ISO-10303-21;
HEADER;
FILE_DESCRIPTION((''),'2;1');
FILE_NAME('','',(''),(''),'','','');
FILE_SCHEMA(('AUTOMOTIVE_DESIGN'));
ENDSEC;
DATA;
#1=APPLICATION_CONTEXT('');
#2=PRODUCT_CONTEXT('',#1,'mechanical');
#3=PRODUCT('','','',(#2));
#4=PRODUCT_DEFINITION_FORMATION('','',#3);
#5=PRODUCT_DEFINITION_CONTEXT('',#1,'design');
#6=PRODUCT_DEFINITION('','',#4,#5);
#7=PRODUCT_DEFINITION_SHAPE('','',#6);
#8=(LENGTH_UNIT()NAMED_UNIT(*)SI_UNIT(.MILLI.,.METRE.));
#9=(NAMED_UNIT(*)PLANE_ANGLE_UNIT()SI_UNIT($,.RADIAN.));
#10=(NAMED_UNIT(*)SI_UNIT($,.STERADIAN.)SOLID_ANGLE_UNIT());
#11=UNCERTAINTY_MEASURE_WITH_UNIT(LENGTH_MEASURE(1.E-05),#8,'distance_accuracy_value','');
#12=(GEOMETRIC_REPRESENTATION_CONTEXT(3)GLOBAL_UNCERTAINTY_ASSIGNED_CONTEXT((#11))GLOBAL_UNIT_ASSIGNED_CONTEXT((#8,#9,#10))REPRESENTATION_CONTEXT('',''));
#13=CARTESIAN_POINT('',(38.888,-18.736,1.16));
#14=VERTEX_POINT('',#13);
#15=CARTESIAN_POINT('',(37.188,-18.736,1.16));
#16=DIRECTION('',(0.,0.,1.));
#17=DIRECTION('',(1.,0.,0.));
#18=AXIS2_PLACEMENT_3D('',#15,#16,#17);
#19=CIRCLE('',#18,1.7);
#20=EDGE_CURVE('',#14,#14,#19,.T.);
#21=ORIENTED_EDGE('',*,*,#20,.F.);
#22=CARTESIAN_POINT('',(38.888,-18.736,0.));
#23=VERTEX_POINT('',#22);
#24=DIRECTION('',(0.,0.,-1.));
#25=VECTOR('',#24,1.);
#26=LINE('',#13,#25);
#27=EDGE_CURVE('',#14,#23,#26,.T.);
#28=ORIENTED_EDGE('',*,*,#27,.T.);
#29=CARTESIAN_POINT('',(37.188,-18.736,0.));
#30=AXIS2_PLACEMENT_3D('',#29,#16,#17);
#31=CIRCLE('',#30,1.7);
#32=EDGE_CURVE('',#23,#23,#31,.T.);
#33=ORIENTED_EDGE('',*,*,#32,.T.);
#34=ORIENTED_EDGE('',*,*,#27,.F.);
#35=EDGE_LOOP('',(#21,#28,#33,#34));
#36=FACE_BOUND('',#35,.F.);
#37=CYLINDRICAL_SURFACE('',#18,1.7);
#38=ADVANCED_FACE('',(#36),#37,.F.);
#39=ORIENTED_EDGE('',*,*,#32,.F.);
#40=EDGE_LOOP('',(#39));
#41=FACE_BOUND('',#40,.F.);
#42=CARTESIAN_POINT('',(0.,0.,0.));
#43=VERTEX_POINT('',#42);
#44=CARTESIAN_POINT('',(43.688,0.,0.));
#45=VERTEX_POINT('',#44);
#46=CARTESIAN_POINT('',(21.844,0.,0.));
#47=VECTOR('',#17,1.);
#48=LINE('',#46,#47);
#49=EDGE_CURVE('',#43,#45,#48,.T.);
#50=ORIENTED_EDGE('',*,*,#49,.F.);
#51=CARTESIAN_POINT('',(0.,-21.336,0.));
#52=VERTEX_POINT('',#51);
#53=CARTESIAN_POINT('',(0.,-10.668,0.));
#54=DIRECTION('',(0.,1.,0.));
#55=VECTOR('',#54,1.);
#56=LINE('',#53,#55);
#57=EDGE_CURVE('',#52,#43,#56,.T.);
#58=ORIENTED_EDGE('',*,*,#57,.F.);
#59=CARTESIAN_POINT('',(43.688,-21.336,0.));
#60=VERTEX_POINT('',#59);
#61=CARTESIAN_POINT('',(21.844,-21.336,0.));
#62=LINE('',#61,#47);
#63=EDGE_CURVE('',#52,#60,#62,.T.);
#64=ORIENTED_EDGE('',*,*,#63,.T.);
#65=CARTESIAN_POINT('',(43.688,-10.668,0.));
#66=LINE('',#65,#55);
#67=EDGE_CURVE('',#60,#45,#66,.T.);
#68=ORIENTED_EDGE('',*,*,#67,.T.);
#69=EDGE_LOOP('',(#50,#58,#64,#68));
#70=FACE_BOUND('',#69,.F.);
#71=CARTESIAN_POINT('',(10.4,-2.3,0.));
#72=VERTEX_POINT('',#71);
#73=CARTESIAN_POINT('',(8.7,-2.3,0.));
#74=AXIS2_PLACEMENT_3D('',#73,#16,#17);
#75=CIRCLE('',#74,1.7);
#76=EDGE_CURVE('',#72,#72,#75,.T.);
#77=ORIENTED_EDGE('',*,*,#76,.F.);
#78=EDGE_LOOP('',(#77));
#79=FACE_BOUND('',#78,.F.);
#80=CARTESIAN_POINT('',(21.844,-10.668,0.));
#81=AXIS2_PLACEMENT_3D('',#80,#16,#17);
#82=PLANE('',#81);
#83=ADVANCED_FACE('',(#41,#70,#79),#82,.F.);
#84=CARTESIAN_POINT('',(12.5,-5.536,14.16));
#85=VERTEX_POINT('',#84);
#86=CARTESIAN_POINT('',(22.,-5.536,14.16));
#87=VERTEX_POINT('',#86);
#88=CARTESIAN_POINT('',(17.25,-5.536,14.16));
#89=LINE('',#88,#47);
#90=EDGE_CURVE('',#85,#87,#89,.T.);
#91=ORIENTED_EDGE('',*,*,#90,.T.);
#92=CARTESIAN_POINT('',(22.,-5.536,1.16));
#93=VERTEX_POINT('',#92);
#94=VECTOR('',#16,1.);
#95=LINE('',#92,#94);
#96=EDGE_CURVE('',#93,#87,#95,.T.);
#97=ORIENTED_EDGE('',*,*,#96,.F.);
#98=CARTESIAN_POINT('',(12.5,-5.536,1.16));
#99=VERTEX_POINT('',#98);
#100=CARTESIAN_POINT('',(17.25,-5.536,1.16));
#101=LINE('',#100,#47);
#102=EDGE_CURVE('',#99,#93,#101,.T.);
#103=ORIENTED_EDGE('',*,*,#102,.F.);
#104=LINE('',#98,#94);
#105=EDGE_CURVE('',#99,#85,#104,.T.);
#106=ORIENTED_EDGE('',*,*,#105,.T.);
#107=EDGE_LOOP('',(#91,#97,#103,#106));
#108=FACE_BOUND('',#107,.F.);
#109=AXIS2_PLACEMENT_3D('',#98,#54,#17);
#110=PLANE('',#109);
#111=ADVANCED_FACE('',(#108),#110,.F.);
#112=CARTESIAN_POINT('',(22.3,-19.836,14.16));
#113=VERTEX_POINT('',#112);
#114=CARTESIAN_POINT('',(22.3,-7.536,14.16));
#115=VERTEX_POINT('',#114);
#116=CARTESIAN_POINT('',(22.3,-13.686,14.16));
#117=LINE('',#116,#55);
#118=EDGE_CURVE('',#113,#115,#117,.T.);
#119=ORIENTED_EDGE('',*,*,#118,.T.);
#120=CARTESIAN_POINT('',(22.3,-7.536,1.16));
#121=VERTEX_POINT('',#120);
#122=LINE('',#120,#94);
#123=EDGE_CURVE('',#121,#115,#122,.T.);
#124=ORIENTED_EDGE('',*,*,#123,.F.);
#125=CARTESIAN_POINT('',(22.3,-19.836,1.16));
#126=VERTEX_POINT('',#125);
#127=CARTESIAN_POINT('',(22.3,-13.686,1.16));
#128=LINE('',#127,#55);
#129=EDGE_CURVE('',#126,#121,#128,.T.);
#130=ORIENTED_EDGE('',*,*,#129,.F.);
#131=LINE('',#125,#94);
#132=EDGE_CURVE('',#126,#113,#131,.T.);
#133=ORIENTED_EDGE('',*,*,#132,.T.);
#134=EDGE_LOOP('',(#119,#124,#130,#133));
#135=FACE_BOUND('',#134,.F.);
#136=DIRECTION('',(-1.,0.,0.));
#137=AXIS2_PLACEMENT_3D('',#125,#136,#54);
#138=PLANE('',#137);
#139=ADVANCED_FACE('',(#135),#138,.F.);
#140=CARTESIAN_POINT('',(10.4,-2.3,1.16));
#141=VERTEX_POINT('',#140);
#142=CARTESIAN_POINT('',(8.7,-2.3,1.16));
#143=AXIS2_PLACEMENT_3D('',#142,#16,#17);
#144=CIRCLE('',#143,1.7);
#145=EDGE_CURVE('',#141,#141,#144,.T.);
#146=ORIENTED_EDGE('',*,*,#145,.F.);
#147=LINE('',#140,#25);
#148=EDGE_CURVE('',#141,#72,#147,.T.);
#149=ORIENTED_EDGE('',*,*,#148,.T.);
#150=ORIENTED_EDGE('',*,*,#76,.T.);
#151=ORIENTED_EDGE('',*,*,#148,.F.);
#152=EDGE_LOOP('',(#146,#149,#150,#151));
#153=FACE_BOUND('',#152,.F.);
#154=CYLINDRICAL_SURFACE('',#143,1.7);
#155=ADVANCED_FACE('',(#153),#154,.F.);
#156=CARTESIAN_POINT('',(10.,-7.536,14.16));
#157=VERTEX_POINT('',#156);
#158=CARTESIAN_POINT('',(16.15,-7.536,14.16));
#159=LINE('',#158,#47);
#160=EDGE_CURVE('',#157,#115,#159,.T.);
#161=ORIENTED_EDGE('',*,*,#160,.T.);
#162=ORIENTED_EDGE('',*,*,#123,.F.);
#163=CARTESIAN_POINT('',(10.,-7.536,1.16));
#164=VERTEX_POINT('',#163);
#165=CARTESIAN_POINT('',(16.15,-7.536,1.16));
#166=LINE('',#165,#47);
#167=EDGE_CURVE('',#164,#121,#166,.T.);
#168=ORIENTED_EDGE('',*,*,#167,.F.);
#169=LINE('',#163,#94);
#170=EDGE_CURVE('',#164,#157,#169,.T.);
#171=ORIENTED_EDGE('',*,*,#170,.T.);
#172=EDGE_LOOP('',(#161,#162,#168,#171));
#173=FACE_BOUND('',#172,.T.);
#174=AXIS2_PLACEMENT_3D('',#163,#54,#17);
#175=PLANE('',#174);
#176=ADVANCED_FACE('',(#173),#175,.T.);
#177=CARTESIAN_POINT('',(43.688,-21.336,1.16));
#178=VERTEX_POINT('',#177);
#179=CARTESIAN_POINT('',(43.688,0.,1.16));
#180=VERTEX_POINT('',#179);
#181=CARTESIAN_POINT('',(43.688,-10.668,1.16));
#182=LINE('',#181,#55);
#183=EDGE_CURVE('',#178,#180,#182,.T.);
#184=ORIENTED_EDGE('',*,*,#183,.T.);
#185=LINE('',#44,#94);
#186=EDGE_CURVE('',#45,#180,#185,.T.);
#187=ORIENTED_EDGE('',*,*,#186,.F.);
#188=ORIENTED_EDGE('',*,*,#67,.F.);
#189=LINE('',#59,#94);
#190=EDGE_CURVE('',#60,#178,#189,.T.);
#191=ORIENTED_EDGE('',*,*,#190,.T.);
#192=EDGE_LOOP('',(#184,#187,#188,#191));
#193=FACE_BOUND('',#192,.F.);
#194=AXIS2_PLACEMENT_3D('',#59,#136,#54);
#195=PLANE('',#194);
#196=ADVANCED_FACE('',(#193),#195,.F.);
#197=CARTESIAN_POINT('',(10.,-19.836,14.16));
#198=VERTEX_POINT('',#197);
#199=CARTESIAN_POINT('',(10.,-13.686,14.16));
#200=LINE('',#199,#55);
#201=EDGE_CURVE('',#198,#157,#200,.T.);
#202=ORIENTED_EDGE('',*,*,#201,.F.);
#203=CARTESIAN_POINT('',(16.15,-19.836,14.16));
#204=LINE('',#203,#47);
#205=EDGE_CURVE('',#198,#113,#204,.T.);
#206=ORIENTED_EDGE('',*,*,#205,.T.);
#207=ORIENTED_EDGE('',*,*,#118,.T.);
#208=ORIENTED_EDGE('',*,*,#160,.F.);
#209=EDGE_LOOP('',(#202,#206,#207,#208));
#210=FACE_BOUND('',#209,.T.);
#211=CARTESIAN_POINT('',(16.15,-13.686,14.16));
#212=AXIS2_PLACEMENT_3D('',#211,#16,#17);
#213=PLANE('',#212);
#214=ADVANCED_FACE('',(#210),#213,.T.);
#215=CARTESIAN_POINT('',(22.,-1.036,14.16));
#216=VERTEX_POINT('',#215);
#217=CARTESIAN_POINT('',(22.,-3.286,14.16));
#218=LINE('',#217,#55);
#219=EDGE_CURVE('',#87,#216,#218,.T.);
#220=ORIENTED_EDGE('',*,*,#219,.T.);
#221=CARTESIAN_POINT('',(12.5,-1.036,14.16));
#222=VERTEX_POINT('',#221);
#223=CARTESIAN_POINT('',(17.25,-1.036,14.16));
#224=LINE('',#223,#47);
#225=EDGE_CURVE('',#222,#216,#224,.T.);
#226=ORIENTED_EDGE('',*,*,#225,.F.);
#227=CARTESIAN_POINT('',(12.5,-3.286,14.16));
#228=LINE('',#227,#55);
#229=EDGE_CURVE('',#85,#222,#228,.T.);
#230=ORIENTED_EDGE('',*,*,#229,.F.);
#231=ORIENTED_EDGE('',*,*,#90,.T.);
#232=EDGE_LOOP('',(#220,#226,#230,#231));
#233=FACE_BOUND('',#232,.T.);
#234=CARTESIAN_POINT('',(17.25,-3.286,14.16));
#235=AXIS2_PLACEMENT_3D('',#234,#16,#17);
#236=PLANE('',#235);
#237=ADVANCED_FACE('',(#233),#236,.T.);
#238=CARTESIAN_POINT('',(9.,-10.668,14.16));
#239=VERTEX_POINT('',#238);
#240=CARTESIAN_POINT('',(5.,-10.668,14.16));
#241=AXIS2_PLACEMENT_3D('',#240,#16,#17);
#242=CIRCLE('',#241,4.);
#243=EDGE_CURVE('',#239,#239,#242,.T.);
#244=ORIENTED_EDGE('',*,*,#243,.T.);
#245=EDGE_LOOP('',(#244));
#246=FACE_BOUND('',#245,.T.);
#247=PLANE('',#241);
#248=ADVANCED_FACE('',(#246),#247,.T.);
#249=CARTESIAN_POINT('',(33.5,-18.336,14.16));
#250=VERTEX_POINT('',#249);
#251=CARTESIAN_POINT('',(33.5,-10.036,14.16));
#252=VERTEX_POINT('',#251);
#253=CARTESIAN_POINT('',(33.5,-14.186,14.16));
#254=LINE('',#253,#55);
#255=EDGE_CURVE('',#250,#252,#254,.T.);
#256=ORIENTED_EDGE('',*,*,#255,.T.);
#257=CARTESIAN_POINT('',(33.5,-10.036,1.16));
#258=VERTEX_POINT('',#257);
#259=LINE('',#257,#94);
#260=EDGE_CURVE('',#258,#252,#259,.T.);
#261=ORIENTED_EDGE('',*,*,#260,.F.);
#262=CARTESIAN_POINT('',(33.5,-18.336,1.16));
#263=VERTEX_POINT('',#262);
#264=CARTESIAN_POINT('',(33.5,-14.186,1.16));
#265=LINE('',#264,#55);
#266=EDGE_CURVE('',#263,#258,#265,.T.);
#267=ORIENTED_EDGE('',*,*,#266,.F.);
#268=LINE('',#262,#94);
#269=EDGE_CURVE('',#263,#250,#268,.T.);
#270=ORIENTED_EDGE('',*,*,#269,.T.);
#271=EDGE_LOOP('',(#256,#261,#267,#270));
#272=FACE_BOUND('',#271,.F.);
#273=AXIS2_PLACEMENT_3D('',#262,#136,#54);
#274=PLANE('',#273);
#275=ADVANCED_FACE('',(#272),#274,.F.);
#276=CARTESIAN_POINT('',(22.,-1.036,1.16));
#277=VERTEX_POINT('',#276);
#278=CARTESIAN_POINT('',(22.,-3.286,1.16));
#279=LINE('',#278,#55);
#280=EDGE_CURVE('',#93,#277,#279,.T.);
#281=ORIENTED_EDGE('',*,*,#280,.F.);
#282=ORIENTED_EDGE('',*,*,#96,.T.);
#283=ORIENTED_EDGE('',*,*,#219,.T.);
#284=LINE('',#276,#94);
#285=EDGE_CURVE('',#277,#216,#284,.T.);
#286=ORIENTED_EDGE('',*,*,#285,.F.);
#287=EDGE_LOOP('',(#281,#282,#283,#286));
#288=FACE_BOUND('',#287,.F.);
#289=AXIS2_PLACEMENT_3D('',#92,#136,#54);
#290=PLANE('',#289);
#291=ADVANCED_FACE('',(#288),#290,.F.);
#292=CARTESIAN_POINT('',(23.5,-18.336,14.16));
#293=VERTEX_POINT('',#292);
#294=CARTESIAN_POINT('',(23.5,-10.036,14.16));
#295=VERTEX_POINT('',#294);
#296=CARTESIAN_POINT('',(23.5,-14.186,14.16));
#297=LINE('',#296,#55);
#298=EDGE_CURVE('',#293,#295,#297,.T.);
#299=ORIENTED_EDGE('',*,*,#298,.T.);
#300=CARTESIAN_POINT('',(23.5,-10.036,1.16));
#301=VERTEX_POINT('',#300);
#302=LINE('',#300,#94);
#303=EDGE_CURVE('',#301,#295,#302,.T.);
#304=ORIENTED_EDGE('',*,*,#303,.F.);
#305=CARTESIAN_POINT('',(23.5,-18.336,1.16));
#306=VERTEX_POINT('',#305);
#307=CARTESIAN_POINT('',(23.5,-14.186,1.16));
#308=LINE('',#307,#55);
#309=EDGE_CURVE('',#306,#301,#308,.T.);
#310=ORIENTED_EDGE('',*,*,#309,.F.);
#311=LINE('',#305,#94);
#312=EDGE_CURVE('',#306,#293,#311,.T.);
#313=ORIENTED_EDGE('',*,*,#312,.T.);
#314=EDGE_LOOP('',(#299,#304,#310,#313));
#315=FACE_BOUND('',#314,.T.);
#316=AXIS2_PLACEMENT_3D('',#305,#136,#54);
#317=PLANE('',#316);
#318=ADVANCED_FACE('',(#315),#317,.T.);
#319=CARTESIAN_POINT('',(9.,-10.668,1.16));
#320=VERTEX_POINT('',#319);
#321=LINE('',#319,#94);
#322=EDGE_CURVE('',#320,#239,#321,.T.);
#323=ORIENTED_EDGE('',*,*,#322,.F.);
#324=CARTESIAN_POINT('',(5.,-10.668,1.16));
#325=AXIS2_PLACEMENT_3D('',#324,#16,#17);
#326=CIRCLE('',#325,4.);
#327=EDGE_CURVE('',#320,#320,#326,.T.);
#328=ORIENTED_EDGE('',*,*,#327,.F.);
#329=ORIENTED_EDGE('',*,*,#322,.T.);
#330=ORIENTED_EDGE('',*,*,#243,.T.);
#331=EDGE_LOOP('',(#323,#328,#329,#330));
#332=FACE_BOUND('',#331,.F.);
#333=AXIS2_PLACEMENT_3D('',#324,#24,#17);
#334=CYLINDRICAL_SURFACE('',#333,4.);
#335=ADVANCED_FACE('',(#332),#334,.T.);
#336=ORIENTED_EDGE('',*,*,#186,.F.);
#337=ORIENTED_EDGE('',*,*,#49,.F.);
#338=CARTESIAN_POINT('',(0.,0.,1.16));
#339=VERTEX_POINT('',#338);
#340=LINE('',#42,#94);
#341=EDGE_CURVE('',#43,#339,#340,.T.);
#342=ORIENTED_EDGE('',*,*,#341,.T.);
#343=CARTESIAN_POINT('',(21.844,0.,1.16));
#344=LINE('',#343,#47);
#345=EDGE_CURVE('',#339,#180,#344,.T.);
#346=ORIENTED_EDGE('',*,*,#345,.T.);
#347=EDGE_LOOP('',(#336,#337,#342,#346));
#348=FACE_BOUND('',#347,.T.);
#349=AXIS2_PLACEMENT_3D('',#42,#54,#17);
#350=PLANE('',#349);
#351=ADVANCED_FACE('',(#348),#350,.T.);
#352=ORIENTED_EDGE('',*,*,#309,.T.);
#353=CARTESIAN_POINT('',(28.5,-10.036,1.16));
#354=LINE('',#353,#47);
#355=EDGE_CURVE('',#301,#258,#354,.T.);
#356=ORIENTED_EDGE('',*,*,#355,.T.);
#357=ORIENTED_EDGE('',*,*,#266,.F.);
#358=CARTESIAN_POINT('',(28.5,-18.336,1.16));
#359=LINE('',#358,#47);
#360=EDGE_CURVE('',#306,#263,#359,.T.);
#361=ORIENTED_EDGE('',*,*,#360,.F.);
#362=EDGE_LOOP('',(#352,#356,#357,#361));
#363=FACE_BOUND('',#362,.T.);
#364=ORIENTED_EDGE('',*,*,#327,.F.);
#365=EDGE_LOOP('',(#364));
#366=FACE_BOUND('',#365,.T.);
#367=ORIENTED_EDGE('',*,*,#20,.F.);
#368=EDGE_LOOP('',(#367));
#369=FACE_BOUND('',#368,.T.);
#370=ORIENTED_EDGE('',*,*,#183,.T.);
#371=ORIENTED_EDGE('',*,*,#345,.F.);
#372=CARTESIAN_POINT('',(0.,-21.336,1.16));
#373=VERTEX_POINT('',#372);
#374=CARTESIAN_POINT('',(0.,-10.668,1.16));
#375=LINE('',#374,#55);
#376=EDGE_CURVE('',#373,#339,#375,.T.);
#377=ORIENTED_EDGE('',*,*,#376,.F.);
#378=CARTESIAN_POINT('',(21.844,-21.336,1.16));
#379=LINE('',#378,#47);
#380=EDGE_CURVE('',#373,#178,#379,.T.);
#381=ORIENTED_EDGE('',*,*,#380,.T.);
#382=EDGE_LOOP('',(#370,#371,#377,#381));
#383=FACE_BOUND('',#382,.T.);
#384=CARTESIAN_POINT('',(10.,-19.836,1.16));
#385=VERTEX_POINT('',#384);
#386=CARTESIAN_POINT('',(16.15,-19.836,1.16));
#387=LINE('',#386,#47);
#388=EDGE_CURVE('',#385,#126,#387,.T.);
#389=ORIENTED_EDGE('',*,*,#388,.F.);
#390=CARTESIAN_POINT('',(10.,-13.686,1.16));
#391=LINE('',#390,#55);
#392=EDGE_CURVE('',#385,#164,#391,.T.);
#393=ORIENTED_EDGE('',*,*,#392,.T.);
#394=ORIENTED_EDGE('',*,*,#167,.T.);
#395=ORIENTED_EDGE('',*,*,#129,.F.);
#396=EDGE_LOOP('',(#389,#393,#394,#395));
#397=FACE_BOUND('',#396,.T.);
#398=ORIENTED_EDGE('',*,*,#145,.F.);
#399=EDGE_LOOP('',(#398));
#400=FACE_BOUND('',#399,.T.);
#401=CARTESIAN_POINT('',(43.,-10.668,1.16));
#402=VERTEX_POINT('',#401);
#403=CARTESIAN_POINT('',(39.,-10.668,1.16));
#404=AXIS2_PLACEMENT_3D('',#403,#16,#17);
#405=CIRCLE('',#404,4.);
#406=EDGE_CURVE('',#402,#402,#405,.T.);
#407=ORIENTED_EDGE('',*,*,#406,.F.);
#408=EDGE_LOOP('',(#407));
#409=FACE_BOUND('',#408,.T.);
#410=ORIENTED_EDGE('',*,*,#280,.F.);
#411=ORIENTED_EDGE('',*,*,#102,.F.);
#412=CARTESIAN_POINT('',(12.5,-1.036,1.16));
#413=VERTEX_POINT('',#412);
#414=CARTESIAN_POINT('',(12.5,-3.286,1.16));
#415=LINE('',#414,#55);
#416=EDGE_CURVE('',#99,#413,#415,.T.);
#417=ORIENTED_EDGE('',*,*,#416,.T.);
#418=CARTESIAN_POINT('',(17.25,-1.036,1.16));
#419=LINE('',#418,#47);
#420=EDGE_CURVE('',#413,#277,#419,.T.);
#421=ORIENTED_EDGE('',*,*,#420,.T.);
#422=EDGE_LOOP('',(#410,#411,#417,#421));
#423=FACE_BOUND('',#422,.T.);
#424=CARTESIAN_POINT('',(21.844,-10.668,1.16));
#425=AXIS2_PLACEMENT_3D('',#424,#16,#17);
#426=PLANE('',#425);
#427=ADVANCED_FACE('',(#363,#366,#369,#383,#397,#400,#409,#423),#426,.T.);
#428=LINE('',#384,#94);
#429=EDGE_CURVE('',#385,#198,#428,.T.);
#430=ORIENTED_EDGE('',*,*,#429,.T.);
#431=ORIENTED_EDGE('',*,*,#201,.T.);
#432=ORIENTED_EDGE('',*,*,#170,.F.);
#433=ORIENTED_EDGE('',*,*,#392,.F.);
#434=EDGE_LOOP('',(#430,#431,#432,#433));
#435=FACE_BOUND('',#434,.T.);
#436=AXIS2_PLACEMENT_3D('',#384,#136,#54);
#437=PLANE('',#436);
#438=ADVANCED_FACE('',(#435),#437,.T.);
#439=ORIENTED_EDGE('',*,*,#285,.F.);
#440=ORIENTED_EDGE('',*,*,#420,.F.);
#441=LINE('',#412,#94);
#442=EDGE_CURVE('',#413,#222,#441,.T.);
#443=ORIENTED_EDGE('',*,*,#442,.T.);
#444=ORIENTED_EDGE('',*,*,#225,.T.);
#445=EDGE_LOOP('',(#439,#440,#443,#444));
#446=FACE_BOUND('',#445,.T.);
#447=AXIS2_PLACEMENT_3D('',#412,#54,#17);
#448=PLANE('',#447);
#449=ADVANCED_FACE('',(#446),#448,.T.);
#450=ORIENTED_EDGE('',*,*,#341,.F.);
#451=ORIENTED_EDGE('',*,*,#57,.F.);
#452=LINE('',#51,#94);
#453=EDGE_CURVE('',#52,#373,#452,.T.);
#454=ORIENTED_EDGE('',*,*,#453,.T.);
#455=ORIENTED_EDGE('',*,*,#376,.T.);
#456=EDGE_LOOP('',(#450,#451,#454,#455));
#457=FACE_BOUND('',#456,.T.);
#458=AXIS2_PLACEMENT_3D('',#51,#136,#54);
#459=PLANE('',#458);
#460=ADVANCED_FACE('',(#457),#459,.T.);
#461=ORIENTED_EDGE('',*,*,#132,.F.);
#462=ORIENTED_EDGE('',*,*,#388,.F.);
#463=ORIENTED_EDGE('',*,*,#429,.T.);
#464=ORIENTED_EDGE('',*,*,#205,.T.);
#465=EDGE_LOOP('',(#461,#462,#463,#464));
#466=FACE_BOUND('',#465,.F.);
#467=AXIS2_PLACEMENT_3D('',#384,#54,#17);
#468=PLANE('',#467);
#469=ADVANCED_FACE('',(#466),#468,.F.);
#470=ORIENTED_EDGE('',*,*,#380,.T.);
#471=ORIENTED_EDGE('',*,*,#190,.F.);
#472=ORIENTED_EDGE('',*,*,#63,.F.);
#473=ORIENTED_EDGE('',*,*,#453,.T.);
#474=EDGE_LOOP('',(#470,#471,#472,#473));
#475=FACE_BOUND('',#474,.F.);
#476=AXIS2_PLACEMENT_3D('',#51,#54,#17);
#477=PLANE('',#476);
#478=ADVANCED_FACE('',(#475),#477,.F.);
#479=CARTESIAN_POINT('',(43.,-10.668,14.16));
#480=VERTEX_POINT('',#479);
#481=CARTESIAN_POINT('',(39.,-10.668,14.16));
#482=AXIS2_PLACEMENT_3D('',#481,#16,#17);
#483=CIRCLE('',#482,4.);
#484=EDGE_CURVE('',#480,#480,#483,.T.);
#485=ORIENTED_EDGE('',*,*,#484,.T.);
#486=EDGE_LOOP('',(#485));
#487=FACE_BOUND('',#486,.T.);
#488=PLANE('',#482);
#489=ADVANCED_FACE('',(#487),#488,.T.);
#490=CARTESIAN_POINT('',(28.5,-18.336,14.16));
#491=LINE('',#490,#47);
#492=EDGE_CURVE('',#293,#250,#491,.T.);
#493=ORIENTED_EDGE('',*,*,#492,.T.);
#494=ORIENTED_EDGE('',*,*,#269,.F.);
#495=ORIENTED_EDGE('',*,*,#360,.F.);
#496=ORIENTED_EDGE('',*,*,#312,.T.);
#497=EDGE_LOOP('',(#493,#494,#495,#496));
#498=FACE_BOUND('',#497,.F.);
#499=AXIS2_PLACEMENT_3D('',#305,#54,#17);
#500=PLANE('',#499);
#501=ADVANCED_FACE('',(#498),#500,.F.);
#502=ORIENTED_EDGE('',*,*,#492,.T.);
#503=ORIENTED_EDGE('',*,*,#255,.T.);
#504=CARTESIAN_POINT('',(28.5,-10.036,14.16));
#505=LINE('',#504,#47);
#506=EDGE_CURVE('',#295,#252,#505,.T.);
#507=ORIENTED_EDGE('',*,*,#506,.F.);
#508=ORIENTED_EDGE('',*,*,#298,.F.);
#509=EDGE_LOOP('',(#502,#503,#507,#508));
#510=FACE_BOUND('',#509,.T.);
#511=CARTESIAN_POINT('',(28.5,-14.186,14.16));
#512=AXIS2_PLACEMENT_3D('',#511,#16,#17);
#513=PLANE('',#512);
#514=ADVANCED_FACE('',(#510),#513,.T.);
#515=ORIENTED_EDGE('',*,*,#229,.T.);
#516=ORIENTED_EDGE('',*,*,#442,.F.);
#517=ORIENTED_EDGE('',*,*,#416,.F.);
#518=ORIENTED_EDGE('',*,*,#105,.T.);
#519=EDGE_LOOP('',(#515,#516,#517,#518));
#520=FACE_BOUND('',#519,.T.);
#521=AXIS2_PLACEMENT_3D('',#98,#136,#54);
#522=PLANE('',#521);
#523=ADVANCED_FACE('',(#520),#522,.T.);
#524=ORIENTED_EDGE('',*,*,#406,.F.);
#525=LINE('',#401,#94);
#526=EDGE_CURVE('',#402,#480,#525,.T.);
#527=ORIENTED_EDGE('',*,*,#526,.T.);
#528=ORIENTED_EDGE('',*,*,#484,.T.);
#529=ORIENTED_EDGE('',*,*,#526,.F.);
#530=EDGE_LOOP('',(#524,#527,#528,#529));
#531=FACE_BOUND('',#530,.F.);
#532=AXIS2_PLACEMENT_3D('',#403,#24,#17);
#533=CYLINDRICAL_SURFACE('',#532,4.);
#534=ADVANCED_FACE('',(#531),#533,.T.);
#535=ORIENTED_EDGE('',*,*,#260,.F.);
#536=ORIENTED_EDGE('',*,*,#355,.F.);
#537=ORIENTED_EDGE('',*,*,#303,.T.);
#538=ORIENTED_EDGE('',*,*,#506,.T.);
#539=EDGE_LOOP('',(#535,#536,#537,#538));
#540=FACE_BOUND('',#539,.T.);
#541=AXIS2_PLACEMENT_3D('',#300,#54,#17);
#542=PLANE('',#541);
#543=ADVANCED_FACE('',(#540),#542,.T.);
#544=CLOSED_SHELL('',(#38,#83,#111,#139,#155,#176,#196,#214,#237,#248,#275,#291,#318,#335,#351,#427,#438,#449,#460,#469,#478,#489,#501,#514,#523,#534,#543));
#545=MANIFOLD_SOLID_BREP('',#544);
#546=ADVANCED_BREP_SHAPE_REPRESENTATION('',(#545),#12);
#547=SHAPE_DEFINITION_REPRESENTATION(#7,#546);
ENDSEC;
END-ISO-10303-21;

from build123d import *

# Parameters (mm, degrees)
F0_W     = 43.688
F0_H     = 21.336
F1_DEPTH = 1.16
F2_R     = 1.7
F3_DEPTH = 25
F4_R     = 4
F4_W     = 12.3
F4_H     = 12.3
F4_W_2   = 10
F4_H_2   = 8.3
F4_W_3   = 9.5
F4_H_3   = 4.5
F5_DEPTH = 13


with BuildPart() as f1:
    # F0 (on Top) → F1 (new body)
    with BuildSketch(Plane.XY):
        with Locations((21.844, -10.668)):
            Rectangle(F0_W, F0_H)
    extrude(amount=F1_DEPTH)

    # F2 (on face) → F3 (cut)
    with BuildSketch(Plane.XY.offset(1.16)):
        with Locations((37.188, -18.736)):
            Circle(F2_R)
        with Locations((8.7, -2.3)):
            Circle(F2_R)
    extrude(amount=-F3_DEPTH, mode=Mode.SUBTRACT)

    # F4 (on face) → F5 (join)
    with BuildSketch(Plane.XY.offset(1.16)):
        with Locations((5, -10.668)):
            Circle(F4_R)
        with Locations((39, -10.668)):
            Circle(F4_R)
        with Locations((16.15, -13.686)):
            Rectangle(F4_W, F4_H)
        with Locations((28.5, -14.186)):
            Rectangle(F4_W_2, F4_H_2)
        with Locations((17.25, -3.286)):
            Rectangle(F4_W_3, F4_H_3)
    extrude(amount=F5_DEPTH)


solid = f1.part
